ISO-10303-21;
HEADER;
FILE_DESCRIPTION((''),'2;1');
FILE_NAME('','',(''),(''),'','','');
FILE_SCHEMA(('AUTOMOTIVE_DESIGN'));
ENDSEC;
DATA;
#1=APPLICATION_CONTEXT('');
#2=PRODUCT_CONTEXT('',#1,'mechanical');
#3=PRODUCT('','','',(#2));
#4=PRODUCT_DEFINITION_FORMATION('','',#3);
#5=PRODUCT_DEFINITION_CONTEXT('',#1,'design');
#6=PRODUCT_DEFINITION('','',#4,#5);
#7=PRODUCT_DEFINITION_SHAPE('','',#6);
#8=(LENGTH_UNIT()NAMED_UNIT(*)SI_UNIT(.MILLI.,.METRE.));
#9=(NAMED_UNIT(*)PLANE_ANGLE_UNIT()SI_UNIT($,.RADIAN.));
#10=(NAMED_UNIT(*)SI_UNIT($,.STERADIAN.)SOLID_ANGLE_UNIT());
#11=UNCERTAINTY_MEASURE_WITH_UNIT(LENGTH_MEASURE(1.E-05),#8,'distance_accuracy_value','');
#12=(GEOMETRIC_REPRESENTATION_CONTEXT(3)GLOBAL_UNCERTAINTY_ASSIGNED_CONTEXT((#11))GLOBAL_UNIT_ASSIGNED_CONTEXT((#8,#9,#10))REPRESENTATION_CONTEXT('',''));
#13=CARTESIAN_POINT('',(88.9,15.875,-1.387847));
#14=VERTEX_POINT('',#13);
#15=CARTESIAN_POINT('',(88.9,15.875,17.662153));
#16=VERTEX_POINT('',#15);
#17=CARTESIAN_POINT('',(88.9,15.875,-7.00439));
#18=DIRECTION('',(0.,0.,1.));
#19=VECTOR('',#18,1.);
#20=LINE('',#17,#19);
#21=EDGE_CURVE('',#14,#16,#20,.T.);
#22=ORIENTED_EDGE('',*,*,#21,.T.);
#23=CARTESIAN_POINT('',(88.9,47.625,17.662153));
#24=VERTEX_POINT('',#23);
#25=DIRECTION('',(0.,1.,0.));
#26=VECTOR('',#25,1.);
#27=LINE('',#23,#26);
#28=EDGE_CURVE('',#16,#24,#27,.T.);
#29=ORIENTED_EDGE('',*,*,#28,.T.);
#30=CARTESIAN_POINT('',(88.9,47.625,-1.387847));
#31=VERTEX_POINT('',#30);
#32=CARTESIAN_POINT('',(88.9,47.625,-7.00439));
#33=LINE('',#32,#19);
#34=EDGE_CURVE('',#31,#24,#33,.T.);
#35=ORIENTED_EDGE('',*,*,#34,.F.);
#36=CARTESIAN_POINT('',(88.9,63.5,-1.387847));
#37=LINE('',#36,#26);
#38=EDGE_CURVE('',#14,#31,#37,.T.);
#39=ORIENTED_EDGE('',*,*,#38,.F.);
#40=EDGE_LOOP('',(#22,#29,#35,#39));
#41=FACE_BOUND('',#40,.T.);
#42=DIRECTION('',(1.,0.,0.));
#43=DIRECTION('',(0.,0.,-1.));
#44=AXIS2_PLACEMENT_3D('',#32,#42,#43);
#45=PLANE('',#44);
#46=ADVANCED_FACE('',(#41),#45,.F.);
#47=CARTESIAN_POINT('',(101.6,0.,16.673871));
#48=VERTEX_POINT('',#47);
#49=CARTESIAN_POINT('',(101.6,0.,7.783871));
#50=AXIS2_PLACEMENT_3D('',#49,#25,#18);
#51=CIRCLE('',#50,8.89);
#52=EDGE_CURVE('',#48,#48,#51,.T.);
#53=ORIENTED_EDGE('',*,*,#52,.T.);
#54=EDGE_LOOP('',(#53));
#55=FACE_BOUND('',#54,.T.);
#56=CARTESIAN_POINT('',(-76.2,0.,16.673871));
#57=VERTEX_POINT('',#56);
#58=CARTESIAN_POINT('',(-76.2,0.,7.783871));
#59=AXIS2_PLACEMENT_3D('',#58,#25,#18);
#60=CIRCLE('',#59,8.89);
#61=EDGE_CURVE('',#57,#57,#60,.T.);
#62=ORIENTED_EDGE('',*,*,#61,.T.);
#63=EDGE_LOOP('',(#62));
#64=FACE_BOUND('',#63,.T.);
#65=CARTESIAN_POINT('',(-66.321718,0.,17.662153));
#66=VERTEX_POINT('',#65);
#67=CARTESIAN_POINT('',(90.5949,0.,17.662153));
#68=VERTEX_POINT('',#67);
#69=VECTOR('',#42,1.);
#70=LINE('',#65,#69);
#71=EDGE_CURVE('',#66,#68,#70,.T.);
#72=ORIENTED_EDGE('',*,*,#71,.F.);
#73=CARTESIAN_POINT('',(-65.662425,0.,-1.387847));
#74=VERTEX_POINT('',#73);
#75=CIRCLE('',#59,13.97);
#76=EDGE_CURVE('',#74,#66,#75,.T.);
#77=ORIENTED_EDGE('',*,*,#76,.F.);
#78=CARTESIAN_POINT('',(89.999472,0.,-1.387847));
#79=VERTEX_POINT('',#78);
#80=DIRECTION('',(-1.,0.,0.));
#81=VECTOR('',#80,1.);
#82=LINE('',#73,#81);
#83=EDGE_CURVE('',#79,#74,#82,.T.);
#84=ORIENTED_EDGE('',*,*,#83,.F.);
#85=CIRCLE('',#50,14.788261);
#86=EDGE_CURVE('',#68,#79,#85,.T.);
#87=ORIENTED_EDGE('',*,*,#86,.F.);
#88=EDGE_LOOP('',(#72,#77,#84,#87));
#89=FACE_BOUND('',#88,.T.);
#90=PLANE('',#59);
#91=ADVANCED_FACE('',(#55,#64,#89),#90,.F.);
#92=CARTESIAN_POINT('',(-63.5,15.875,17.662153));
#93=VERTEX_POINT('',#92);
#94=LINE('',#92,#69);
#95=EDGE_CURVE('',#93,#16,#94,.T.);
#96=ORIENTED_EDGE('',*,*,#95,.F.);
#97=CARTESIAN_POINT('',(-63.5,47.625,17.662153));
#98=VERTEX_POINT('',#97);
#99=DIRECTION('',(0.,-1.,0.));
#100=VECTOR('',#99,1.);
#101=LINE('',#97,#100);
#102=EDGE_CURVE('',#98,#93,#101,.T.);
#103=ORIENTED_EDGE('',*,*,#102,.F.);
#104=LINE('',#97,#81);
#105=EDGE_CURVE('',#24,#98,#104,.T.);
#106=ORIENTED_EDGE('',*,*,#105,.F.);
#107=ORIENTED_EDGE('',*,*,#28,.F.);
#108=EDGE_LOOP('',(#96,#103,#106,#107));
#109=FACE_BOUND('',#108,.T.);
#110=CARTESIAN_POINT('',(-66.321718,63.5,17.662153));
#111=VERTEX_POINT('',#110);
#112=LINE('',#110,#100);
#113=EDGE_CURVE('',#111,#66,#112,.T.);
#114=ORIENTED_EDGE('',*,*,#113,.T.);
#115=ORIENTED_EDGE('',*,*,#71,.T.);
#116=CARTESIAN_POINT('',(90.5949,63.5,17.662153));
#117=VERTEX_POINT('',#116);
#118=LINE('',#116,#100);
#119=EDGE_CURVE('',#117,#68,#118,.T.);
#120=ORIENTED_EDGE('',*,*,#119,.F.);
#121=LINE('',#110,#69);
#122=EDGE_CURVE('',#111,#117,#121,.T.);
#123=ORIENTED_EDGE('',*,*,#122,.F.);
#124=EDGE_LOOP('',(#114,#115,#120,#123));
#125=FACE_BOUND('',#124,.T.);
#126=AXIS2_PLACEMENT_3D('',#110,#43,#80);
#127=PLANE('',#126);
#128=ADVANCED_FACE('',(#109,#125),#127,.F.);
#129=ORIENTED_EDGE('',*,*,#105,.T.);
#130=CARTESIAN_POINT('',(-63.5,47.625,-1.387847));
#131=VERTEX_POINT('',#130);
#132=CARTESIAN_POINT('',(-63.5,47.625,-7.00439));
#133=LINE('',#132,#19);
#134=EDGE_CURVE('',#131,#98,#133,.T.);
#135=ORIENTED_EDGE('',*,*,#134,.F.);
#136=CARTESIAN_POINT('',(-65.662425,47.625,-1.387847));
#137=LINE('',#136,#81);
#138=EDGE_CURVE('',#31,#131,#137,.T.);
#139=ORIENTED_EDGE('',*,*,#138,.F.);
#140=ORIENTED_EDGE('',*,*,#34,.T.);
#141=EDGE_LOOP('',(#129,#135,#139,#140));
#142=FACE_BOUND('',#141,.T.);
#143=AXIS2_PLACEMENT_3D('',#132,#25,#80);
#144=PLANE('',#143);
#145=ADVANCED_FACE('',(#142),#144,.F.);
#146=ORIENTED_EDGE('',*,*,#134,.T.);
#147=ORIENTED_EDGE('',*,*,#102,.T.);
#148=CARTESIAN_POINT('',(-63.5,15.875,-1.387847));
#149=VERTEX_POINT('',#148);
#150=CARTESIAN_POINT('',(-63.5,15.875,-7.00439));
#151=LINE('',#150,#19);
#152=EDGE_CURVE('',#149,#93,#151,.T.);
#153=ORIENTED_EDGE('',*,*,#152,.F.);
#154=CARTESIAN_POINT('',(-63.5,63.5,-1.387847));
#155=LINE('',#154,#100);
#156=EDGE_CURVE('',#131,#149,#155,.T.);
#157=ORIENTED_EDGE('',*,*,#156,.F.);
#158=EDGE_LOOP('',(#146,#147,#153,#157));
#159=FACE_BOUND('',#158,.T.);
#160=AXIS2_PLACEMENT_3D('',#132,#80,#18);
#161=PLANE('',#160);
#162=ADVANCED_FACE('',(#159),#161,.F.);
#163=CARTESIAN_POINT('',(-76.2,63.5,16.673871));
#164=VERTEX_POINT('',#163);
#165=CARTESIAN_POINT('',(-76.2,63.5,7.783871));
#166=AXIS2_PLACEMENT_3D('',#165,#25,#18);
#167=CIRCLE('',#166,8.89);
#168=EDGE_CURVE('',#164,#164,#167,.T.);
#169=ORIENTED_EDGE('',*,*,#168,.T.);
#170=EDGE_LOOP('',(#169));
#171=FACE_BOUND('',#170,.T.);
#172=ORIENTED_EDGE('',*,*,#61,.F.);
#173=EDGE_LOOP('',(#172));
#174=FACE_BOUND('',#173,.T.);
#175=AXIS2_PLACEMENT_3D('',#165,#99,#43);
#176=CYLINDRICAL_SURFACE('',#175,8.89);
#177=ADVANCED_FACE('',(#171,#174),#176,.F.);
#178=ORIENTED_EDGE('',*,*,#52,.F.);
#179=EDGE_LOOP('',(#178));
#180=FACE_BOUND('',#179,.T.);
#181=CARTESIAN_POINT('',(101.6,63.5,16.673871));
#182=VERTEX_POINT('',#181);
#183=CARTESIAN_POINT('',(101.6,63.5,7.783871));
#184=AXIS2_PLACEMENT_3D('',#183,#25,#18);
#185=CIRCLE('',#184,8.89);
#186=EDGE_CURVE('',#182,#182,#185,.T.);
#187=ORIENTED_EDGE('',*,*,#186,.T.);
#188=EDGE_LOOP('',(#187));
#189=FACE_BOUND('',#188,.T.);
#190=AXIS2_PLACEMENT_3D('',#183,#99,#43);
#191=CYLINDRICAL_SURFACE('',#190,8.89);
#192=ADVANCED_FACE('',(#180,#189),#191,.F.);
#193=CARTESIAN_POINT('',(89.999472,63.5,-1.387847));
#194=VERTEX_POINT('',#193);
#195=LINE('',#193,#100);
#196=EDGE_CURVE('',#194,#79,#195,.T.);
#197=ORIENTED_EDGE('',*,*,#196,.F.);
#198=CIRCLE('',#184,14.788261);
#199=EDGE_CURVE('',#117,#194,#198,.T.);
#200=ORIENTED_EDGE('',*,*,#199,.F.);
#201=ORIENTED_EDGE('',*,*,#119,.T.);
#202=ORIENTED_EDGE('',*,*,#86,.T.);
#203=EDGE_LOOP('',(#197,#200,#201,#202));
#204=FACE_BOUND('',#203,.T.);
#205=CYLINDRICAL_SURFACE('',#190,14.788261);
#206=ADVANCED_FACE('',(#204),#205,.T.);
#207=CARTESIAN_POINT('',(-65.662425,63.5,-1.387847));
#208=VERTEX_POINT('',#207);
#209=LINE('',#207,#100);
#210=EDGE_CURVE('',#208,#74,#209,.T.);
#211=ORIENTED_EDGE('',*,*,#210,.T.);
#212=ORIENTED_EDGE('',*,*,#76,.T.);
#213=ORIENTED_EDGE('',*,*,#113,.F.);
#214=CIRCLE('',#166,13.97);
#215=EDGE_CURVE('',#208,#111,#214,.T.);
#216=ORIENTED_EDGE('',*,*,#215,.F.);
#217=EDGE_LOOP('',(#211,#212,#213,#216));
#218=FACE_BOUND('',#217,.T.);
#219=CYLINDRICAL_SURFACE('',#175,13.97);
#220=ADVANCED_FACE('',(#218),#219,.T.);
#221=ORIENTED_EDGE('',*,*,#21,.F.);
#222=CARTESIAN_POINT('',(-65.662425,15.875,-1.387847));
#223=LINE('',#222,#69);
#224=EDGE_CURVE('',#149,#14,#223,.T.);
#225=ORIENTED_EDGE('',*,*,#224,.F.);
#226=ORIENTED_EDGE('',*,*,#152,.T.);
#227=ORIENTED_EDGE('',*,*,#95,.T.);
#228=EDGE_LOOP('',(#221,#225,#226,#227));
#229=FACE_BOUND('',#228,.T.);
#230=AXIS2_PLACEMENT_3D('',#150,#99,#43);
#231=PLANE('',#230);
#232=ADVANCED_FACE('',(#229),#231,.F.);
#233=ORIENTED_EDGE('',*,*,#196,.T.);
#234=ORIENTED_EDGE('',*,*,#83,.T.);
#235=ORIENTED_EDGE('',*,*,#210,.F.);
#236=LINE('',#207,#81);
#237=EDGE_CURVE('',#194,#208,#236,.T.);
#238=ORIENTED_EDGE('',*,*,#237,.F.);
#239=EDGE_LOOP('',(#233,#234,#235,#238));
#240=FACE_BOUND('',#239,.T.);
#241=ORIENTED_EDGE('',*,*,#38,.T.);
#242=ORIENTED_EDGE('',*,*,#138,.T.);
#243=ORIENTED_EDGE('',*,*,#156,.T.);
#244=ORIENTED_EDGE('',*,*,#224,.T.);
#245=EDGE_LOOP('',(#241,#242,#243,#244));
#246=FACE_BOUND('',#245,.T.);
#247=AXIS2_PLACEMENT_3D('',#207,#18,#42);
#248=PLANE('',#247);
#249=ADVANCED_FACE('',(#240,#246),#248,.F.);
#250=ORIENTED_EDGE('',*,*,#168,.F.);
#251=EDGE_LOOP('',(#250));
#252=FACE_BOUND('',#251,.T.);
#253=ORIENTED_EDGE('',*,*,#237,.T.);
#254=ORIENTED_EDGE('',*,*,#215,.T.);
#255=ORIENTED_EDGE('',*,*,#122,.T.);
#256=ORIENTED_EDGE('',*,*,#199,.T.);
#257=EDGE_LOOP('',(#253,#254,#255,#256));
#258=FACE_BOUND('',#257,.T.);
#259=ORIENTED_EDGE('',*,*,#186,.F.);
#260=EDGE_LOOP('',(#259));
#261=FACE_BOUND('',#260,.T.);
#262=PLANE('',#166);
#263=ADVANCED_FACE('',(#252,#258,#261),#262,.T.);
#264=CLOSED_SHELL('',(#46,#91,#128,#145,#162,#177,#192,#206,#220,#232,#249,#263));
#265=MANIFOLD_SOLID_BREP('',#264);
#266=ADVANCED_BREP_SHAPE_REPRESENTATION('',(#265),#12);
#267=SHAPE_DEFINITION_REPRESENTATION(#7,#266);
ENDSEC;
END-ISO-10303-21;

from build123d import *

# Parameters (mm, degrees)
SKETCH1_R           = 8.89
BOSS_EXTRUDE1_DEPTH = 63.5
SKETCH2_W           = 152.4
SKETCH2_H           = 31.75
CUT_EXTRUDE1_DEPTH  = 135.858873196


with BuildPart() as part:
    # Sketch1 → Boss-Extrude1 (new body)
    with BuildSketch(Plane(origin=(0, 0, 0), x_dir=(1, 0, 0), z_dir=(0, 1, 0))):
        with BuildLine():
            Line((-65.662425135, 1.387847299), (89.999471876, 1.387847299))
            ThreePointArc((89.999471876, 1.387847299), (116.381042824, -7.321873409), (90.594900331, -17.662152701))
            Line((90.594900331, -17.662152701), (-66.321718267, -17.662152701))
            ThreePointArc((-66.321718267, -17.662152701), (-90.161641206, -7.300678624), (-65.662425135, 1.387847299))
        make_face()
        with Locations(Location((101.6, -7.783870968, 0), (0, 0, 270))):
            Circle(SKETCH1_R, mode=Mode.SUBTRACT)
        with Locations(Location((-76.2, -7.783870968, 0), (0, 0, 270))):
            Circle(SKETCH1_R, mode=Mode.SUBTRACT)
    extrude(amount=BOSS_EXTRUDE1_DEPTH)

    # Sketch2 → Cut-Extrude1 (cut, through all)
    with BuildSketch(Plane.XY.offset(17.662152701)):
        with Locations((12.7, 31.75)):
            Rectangle(SKETCH2_W, SKETCH2_H)
    extrude(amount=-CUT_EXTRUDE1_DEPTH, mode=Mode.SUBTRACT)


solid = part.part
